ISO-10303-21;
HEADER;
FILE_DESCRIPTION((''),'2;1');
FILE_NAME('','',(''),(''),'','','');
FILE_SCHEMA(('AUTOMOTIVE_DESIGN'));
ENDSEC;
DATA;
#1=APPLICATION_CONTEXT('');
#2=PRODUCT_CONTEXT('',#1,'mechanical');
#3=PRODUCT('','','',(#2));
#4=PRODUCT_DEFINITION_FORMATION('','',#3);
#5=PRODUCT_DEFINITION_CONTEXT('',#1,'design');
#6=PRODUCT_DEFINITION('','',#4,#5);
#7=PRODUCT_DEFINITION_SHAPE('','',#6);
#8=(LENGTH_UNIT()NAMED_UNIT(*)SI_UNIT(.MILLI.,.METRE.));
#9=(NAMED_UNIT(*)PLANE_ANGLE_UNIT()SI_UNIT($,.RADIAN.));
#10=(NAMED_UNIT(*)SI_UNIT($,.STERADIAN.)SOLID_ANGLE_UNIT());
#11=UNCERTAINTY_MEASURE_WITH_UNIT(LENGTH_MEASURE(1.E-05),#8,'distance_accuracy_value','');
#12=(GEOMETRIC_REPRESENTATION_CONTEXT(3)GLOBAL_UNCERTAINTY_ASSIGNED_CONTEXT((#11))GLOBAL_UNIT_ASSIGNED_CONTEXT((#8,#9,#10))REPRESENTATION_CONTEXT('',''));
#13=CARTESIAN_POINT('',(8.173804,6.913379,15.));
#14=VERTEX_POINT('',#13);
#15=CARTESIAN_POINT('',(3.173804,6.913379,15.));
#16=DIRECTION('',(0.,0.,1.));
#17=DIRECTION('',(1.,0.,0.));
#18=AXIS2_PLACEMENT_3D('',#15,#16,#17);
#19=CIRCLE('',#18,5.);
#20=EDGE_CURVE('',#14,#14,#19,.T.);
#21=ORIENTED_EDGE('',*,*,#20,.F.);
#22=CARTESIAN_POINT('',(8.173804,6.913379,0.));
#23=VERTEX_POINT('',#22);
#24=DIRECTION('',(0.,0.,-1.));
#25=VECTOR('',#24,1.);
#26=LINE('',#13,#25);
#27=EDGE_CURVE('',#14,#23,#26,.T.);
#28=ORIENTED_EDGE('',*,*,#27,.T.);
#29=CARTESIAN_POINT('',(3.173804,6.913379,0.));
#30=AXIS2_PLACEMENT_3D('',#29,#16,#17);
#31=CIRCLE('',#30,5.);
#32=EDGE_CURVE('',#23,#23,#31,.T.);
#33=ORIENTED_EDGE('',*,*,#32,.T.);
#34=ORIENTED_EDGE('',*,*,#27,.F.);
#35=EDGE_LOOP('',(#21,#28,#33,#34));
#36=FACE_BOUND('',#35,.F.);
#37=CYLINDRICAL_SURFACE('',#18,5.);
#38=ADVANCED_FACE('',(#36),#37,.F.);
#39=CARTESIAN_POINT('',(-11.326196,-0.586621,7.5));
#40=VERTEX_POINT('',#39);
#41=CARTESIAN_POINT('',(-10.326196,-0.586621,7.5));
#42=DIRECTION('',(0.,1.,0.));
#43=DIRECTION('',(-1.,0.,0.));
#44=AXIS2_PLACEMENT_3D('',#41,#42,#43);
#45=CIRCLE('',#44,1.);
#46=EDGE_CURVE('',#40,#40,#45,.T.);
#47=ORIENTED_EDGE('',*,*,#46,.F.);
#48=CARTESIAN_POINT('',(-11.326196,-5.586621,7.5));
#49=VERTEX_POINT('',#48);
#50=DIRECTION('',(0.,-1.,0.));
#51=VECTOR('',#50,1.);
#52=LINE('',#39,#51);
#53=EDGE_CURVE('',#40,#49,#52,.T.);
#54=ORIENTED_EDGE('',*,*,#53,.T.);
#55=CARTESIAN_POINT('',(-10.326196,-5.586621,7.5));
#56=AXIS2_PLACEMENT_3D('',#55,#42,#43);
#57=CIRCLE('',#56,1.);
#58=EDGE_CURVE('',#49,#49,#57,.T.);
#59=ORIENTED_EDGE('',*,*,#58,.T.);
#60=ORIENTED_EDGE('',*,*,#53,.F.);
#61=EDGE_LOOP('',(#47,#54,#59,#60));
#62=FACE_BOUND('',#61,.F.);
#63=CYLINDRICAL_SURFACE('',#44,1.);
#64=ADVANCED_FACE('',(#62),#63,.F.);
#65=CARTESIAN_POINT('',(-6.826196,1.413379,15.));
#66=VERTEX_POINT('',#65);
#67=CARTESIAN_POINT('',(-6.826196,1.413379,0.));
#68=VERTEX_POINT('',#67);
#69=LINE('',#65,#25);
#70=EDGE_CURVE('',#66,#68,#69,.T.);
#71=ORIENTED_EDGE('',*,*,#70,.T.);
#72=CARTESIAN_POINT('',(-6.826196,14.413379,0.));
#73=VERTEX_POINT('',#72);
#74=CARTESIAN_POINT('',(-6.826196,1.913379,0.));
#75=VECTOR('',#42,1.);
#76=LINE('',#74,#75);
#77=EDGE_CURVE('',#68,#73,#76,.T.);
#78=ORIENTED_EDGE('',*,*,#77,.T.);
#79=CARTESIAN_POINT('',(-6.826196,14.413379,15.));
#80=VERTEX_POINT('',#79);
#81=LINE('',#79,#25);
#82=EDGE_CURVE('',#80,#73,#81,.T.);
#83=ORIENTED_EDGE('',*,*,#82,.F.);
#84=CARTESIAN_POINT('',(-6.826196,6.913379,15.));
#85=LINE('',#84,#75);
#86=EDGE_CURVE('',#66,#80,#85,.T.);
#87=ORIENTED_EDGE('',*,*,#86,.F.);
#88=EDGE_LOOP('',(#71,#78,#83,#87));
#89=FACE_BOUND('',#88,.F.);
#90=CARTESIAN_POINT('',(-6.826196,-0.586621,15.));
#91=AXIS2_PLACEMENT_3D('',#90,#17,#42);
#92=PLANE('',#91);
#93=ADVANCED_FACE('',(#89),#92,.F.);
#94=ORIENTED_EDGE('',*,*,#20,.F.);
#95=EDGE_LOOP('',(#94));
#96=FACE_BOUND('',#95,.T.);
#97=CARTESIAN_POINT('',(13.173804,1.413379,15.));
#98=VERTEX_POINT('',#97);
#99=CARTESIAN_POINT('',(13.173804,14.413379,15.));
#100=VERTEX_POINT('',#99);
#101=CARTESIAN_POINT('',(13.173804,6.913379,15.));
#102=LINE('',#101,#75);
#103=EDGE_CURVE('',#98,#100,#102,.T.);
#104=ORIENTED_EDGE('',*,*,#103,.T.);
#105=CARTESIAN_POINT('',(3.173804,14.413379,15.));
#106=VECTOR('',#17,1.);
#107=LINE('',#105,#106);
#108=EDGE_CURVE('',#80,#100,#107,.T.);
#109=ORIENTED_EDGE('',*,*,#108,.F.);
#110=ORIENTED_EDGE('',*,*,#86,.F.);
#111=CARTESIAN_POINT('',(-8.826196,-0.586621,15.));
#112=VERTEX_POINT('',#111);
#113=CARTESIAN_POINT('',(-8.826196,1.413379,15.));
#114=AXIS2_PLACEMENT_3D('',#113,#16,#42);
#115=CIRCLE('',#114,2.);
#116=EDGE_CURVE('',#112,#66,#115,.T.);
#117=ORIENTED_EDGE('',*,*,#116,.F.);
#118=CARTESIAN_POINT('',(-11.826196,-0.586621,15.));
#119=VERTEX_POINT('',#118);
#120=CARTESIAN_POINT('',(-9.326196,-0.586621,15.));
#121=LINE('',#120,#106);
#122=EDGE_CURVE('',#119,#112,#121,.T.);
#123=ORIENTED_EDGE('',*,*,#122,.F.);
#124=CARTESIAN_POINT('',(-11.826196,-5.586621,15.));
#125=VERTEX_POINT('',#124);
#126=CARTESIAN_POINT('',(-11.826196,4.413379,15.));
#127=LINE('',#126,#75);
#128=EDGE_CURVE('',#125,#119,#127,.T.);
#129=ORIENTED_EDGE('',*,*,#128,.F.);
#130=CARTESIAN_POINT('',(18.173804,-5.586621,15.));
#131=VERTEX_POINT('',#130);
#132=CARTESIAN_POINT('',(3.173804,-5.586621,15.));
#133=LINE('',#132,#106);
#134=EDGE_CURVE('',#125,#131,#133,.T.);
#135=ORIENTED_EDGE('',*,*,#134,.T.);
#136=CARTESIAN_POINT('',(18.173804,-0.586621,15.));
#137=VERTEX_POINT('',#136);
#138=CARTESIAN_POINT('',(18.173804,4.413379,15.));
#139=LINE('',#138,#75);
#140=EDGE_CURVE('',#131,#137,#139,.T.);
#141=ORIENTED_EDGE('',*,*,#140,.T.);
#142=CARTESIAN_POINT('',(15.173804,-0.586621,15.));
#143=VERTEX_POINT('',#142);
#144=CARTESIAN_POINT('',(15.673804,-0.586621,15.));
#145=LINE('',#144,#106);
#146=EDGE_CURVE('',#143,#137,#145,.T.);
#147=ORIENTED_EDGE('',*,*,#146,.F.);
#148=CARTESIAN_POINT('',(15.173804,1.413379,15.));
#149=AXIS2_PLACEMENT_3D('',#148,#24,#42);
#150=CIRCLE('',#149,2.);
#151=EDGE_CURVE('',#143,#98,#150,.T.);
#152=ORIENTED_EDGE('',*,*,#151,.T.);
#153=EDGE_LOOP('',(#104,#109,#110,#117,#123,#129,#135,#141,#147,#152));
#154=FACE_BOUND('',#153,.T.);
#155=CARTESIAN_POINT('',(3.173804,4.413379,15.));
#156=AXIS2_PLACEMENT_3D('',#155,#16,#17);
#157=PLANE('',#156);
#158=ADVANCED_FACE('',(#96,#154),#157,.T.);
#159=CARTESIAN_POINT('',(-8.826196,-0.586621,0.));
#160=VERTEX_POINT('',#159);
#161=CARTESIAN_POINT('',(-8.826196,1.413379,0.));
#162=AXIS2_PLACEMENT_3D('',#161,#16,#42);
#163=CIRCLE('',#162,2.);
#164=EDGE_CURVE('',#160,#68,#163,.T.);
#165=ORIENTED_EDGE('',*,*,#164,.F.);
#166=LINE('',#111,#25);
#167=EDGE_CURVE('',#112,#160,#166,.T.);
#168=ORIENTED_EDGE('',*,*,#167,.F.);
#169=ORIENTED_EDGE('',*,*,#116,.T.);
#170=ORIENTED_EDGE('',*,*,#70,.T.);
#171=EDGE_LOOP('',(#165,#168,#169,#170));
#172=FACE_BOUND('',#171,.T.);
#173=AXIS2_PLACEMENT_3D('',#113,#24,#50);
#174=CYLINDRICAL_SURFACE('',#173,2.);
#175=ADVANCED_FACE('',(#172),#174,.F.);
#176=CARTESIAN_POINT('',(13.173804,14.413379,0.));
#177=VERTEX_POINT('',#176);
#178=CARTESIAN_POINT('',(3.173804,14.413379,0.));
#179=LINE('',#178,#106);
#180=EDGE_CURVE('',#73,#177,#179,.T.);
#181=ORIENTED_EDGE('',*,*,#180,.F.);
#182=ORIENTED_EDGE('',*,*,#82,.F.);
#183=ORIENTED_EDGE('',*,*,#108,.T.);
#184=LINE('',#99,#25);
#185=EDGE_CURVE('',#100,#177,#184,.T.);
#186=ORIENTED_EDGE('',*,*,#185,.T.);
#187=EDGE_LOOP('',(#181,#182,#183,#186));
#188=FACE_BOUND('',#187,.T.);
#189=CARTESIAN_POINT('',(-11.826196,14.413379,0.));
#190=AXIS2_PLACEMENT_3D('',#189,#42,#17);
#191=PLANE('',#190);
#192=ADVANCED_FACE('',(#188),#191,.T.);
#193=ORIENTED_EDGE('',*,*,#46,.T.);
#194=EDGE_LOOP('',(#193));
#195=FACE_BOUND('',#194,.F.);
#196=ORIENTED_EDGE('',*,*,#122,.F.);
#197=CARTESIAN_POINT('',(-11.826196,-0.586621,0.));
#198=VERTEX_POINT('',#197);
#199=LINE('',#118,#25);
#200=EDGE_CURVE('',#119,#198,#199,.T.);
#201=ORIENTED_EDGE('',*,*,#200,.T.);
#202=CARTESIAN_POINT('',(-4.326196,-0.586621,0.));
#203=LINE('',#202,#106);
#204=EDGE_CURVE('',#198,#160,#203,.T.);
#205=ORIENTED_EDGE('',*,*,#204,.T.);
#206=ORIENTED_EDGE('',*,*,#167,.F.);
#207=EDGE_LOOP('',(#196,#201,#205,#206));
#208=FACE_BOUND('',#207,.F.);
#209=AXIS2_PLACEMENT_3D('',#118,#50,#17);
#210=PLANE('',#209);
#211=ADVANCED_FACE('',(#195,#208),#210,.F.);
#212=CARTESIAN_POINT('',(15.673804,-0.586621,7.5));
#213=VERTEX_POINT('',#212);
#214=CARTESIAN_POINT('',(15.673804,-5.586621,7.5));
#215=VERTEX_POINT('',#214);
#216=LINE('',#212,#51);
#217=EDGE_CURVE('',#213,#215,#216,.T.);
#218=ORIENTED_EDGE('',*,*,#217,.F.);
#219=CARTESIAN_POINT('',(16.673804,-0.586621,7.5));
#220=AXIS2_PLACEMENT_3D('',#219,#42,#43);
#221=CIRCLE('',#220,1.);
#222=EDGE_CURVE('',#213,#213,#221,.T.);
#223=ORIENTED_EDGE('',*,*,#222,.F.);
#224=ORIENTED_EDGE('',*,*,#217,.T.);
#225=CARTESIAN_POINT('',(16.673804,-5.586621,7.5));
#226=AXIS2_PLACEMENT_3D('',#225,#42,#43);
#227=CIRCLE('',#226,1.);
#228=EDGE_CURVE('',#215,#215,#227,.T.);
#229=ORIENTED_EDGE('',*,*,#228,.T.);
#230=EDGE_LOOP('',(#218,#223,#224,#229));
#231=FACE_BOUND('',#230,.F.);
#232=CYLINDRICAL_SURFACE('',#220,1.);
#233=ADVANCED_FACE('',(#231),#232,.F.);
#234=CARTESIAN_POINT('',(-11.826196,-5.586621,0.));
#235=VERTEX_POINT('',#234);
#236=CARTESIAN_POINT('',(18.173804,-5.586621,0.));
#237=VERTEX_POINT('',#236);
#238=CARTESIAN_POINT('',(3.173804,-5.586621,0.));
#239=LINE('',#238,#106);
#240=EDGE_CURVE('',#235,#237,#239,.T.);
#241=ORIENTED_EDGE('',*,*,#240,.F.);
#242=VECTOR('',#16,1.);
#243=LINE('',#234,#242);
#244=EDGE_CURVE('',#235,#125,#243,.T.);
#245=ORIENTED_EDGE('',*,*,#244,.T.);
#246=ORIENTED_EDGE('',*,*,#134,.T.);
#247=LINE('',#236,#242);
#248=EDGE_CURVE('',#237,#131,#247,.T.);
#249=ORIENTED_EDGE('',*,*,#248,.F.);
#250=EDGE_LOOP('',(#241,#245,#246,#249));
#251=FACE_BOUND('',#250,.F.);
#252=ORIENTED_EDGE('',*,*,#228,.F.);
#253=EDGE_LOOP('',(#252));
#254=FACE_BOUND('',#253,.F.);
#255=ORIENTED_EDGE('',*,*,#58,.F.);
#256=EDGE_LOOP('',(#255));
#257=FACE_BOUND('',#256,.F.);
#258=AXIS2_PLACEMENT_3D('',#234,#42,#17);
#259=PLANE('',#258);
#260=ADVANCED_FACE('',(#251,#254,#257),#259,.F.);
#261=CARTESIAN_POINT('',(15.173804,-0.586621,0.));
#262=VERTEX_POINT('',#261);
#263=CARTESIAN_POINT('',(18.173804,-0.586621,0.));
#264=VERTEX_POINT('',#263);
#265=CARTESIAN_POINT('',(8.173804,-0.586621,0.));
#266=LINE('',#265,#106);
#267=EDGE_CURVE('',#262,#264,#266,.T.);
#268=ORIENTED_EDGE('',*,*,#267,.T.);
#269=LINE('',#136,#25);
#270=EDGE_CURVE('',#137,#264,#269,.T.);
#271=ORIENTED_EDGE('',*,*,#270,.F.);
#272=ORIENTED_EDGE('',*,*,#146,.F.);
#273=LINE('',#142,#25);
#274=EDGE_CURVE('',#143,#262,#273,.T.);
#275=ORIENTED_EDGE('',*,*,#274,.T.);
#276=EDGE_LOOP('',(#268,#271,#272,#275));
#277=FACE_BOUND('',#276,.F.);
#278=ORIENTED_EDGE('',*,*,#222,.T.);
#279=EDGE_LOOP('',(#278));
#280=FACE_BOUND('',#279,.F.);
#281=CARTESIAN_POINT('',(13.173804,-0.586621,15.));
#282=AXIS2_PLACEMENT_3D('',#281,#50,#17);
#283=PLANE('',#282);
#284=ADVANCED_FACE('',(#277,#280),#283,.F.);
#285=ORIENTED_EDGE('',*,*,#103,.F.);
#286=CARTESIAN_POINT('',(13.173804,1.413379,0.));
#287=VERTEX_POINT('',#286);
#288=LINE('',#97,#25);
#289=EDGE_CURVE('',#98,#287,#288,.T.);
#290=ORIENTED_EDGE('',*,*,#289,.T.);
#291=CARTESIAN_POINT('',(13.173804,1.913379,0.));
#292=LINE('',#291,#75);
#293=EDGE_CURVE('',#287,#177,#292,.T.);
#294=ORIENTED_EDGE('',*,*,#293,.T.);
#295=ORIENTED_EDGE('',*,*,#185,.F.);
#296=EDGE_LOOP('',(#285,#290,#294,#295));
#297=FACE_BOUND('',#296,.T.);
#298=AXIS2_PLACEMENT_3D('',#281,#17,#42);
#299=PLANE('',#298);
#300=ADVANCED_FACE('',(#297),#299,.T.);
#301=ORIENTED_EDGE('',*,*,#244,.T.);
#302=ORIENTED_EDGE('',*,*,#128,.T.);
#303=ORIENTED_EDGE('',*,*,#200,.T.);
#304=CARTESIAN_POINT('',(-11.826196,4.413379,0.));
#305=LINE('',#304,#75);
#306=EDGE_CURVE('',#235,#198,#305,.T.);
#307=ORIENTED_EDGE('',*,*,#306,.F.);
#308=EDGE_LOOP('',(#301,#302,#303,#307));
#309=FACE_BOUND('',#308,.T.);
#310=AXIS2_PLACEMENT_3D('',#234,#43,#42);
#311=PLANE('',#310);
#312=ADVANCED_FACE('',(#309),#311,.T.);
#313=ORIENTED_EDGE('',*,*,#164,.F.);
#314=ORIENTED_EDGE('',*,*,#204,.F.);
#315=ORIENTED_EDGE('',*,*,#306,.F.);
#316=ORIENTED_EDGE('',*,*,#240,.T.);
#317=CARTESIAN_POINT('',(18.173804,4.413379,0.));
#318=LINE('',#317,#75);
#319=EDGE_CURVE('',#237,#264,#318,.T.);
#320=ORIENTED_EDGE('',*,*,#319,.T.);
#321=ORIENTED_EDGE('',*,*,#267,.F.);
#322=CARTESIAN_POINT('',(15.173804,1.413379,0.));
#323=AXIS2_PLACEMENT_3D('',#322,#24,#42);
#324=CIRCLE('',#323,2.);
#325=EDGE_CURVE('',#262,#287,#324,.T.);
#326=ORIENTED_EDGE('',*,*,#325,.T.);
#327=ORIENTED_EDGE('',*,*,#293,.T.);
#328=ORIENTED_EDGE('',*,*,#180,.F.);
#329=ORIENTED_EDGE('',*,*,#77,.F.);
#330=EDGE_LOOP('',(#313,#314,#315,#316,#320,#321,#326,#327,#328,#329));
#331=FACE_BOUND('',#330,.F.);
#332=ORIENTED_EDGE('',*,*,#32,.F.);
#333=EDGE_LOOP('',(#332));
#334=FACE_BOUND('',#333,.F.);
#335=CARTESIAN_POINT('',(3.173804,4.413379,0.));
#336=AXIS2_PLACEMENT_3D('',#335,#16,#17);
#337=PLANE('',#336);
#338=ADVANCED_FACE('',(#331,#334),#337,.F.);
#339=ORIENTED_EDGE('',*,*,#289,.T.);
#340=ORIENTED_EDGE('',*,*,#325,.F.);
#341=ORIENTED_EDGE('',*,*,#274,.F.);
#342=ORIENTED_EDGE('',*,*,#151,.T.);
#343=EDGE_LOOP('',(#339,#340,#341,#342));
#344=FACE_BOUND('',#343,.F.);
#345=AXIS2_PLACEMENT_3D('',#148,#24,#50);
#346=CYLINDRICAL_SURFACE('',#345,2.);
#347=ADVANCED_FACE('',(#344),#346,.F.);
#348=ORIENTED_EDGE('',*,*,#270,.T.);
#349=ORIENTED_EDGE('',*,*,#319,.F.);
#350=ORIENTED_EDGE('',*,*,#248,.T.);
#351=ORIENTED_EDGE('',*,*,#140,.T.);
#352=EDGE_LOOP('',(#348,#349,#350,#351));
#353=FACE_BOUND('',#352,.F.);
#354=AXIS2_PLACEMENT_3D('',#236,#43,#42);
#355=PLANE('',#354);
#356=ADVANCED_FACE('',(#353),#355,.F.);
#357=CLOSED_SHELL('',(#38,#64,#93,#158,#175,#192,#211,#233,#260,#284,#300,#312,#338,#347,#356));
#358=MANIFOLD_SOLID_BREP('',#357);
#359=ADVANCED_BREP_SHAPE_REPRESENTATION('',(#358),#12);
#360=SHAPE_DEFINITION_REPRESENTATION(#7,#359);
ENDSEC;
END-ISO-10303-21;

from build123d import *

# Parameters (mm, degrees)
F0_W      = 30
F0_H      = 20
F1_DEPTH  = 15
F2_W      = 5
F2_H      = 15
F3_DEPTH  = 25
F4_W      = 5
F4_H      = 15
F5_DEPTH  = 25
F6_R      = 5
F7_DEPTH  = 15.001
F8_R      = 2
F10_R     = 1
F11_DEPTH = 25
F9_R      = 1
F12_DEPTH = 5.001


with BuildPart() as f1:
    # F0 (on Top) → F1 (new body)
    with BuildSketch(Plane.XY):
        with Locations((3.173804, 4.413379)):
            Rectangle(F0_W, F0_H)
    extrude(amount=F1_DEPTH)

    # F2 (on face) → F3 (cut)
    with BuildSketch(Plane.XY.offset(15)):
        with Locations((15.673804, 6.913379)):
            Rectangle(F2_W, F2_H)
    extrude(amount=-F3_DEPTH, mode=Mode.SUBTRACT)

    # F4 (on face) → F5 (cut)
    with BuildSketch(Plane.XY.offset(15)):
        with Locations((-9.326196, 6.913379)):
            Rectangle(F4_W, F4_H)
    extrude(amount=-F5_DEPTH, mode=Mode.SUBTRACT)

    # F6 (on face) → F7 (cut, through all)
    with BuildSketch(Plane.XY.offset(15)):
        with Locations((3.173804, 6.913379)):
            Circle(F6_R)
    extrude(amount=-F7_DEPTH, mode=Mode.SUBTRACT)

    # F8
    f8_edges = [f1.edges().sort_by_distance(p)[0] for p in [
        (-6.826196, -0.586621, 7.5),
        (13.173804, -0.586621, 7.5),
    ]]
    fillet(f8_edges, radius=F8_R)

    # F10 (on face) → F11 (cut)
    with BuildSketch(Plane(origin=(0, -0.586621, 0), x_dir=(-1, 0, 0), z_dir=(0, 1, 0))):
        with Locations((10.326196, 7.5)):
            Circle(F10_R)
    extrude(amount=-F11_DEPTH, mode=Mode.SUBTRACT)

    # F9 (on face) → F12 (cut, through all)
    with BuildSketch(Plane(origin=(0, -0.586621, 0), x_dir=(-1, 0, 0), z_dir=(0, 1, 0))):
        with Locations((-16.673804, 7.5)):
            Circle(F9_R)
    extrude(amount=-F12_DEPTH, mode=Mode.SUBTRACT)


solid = f1.part
